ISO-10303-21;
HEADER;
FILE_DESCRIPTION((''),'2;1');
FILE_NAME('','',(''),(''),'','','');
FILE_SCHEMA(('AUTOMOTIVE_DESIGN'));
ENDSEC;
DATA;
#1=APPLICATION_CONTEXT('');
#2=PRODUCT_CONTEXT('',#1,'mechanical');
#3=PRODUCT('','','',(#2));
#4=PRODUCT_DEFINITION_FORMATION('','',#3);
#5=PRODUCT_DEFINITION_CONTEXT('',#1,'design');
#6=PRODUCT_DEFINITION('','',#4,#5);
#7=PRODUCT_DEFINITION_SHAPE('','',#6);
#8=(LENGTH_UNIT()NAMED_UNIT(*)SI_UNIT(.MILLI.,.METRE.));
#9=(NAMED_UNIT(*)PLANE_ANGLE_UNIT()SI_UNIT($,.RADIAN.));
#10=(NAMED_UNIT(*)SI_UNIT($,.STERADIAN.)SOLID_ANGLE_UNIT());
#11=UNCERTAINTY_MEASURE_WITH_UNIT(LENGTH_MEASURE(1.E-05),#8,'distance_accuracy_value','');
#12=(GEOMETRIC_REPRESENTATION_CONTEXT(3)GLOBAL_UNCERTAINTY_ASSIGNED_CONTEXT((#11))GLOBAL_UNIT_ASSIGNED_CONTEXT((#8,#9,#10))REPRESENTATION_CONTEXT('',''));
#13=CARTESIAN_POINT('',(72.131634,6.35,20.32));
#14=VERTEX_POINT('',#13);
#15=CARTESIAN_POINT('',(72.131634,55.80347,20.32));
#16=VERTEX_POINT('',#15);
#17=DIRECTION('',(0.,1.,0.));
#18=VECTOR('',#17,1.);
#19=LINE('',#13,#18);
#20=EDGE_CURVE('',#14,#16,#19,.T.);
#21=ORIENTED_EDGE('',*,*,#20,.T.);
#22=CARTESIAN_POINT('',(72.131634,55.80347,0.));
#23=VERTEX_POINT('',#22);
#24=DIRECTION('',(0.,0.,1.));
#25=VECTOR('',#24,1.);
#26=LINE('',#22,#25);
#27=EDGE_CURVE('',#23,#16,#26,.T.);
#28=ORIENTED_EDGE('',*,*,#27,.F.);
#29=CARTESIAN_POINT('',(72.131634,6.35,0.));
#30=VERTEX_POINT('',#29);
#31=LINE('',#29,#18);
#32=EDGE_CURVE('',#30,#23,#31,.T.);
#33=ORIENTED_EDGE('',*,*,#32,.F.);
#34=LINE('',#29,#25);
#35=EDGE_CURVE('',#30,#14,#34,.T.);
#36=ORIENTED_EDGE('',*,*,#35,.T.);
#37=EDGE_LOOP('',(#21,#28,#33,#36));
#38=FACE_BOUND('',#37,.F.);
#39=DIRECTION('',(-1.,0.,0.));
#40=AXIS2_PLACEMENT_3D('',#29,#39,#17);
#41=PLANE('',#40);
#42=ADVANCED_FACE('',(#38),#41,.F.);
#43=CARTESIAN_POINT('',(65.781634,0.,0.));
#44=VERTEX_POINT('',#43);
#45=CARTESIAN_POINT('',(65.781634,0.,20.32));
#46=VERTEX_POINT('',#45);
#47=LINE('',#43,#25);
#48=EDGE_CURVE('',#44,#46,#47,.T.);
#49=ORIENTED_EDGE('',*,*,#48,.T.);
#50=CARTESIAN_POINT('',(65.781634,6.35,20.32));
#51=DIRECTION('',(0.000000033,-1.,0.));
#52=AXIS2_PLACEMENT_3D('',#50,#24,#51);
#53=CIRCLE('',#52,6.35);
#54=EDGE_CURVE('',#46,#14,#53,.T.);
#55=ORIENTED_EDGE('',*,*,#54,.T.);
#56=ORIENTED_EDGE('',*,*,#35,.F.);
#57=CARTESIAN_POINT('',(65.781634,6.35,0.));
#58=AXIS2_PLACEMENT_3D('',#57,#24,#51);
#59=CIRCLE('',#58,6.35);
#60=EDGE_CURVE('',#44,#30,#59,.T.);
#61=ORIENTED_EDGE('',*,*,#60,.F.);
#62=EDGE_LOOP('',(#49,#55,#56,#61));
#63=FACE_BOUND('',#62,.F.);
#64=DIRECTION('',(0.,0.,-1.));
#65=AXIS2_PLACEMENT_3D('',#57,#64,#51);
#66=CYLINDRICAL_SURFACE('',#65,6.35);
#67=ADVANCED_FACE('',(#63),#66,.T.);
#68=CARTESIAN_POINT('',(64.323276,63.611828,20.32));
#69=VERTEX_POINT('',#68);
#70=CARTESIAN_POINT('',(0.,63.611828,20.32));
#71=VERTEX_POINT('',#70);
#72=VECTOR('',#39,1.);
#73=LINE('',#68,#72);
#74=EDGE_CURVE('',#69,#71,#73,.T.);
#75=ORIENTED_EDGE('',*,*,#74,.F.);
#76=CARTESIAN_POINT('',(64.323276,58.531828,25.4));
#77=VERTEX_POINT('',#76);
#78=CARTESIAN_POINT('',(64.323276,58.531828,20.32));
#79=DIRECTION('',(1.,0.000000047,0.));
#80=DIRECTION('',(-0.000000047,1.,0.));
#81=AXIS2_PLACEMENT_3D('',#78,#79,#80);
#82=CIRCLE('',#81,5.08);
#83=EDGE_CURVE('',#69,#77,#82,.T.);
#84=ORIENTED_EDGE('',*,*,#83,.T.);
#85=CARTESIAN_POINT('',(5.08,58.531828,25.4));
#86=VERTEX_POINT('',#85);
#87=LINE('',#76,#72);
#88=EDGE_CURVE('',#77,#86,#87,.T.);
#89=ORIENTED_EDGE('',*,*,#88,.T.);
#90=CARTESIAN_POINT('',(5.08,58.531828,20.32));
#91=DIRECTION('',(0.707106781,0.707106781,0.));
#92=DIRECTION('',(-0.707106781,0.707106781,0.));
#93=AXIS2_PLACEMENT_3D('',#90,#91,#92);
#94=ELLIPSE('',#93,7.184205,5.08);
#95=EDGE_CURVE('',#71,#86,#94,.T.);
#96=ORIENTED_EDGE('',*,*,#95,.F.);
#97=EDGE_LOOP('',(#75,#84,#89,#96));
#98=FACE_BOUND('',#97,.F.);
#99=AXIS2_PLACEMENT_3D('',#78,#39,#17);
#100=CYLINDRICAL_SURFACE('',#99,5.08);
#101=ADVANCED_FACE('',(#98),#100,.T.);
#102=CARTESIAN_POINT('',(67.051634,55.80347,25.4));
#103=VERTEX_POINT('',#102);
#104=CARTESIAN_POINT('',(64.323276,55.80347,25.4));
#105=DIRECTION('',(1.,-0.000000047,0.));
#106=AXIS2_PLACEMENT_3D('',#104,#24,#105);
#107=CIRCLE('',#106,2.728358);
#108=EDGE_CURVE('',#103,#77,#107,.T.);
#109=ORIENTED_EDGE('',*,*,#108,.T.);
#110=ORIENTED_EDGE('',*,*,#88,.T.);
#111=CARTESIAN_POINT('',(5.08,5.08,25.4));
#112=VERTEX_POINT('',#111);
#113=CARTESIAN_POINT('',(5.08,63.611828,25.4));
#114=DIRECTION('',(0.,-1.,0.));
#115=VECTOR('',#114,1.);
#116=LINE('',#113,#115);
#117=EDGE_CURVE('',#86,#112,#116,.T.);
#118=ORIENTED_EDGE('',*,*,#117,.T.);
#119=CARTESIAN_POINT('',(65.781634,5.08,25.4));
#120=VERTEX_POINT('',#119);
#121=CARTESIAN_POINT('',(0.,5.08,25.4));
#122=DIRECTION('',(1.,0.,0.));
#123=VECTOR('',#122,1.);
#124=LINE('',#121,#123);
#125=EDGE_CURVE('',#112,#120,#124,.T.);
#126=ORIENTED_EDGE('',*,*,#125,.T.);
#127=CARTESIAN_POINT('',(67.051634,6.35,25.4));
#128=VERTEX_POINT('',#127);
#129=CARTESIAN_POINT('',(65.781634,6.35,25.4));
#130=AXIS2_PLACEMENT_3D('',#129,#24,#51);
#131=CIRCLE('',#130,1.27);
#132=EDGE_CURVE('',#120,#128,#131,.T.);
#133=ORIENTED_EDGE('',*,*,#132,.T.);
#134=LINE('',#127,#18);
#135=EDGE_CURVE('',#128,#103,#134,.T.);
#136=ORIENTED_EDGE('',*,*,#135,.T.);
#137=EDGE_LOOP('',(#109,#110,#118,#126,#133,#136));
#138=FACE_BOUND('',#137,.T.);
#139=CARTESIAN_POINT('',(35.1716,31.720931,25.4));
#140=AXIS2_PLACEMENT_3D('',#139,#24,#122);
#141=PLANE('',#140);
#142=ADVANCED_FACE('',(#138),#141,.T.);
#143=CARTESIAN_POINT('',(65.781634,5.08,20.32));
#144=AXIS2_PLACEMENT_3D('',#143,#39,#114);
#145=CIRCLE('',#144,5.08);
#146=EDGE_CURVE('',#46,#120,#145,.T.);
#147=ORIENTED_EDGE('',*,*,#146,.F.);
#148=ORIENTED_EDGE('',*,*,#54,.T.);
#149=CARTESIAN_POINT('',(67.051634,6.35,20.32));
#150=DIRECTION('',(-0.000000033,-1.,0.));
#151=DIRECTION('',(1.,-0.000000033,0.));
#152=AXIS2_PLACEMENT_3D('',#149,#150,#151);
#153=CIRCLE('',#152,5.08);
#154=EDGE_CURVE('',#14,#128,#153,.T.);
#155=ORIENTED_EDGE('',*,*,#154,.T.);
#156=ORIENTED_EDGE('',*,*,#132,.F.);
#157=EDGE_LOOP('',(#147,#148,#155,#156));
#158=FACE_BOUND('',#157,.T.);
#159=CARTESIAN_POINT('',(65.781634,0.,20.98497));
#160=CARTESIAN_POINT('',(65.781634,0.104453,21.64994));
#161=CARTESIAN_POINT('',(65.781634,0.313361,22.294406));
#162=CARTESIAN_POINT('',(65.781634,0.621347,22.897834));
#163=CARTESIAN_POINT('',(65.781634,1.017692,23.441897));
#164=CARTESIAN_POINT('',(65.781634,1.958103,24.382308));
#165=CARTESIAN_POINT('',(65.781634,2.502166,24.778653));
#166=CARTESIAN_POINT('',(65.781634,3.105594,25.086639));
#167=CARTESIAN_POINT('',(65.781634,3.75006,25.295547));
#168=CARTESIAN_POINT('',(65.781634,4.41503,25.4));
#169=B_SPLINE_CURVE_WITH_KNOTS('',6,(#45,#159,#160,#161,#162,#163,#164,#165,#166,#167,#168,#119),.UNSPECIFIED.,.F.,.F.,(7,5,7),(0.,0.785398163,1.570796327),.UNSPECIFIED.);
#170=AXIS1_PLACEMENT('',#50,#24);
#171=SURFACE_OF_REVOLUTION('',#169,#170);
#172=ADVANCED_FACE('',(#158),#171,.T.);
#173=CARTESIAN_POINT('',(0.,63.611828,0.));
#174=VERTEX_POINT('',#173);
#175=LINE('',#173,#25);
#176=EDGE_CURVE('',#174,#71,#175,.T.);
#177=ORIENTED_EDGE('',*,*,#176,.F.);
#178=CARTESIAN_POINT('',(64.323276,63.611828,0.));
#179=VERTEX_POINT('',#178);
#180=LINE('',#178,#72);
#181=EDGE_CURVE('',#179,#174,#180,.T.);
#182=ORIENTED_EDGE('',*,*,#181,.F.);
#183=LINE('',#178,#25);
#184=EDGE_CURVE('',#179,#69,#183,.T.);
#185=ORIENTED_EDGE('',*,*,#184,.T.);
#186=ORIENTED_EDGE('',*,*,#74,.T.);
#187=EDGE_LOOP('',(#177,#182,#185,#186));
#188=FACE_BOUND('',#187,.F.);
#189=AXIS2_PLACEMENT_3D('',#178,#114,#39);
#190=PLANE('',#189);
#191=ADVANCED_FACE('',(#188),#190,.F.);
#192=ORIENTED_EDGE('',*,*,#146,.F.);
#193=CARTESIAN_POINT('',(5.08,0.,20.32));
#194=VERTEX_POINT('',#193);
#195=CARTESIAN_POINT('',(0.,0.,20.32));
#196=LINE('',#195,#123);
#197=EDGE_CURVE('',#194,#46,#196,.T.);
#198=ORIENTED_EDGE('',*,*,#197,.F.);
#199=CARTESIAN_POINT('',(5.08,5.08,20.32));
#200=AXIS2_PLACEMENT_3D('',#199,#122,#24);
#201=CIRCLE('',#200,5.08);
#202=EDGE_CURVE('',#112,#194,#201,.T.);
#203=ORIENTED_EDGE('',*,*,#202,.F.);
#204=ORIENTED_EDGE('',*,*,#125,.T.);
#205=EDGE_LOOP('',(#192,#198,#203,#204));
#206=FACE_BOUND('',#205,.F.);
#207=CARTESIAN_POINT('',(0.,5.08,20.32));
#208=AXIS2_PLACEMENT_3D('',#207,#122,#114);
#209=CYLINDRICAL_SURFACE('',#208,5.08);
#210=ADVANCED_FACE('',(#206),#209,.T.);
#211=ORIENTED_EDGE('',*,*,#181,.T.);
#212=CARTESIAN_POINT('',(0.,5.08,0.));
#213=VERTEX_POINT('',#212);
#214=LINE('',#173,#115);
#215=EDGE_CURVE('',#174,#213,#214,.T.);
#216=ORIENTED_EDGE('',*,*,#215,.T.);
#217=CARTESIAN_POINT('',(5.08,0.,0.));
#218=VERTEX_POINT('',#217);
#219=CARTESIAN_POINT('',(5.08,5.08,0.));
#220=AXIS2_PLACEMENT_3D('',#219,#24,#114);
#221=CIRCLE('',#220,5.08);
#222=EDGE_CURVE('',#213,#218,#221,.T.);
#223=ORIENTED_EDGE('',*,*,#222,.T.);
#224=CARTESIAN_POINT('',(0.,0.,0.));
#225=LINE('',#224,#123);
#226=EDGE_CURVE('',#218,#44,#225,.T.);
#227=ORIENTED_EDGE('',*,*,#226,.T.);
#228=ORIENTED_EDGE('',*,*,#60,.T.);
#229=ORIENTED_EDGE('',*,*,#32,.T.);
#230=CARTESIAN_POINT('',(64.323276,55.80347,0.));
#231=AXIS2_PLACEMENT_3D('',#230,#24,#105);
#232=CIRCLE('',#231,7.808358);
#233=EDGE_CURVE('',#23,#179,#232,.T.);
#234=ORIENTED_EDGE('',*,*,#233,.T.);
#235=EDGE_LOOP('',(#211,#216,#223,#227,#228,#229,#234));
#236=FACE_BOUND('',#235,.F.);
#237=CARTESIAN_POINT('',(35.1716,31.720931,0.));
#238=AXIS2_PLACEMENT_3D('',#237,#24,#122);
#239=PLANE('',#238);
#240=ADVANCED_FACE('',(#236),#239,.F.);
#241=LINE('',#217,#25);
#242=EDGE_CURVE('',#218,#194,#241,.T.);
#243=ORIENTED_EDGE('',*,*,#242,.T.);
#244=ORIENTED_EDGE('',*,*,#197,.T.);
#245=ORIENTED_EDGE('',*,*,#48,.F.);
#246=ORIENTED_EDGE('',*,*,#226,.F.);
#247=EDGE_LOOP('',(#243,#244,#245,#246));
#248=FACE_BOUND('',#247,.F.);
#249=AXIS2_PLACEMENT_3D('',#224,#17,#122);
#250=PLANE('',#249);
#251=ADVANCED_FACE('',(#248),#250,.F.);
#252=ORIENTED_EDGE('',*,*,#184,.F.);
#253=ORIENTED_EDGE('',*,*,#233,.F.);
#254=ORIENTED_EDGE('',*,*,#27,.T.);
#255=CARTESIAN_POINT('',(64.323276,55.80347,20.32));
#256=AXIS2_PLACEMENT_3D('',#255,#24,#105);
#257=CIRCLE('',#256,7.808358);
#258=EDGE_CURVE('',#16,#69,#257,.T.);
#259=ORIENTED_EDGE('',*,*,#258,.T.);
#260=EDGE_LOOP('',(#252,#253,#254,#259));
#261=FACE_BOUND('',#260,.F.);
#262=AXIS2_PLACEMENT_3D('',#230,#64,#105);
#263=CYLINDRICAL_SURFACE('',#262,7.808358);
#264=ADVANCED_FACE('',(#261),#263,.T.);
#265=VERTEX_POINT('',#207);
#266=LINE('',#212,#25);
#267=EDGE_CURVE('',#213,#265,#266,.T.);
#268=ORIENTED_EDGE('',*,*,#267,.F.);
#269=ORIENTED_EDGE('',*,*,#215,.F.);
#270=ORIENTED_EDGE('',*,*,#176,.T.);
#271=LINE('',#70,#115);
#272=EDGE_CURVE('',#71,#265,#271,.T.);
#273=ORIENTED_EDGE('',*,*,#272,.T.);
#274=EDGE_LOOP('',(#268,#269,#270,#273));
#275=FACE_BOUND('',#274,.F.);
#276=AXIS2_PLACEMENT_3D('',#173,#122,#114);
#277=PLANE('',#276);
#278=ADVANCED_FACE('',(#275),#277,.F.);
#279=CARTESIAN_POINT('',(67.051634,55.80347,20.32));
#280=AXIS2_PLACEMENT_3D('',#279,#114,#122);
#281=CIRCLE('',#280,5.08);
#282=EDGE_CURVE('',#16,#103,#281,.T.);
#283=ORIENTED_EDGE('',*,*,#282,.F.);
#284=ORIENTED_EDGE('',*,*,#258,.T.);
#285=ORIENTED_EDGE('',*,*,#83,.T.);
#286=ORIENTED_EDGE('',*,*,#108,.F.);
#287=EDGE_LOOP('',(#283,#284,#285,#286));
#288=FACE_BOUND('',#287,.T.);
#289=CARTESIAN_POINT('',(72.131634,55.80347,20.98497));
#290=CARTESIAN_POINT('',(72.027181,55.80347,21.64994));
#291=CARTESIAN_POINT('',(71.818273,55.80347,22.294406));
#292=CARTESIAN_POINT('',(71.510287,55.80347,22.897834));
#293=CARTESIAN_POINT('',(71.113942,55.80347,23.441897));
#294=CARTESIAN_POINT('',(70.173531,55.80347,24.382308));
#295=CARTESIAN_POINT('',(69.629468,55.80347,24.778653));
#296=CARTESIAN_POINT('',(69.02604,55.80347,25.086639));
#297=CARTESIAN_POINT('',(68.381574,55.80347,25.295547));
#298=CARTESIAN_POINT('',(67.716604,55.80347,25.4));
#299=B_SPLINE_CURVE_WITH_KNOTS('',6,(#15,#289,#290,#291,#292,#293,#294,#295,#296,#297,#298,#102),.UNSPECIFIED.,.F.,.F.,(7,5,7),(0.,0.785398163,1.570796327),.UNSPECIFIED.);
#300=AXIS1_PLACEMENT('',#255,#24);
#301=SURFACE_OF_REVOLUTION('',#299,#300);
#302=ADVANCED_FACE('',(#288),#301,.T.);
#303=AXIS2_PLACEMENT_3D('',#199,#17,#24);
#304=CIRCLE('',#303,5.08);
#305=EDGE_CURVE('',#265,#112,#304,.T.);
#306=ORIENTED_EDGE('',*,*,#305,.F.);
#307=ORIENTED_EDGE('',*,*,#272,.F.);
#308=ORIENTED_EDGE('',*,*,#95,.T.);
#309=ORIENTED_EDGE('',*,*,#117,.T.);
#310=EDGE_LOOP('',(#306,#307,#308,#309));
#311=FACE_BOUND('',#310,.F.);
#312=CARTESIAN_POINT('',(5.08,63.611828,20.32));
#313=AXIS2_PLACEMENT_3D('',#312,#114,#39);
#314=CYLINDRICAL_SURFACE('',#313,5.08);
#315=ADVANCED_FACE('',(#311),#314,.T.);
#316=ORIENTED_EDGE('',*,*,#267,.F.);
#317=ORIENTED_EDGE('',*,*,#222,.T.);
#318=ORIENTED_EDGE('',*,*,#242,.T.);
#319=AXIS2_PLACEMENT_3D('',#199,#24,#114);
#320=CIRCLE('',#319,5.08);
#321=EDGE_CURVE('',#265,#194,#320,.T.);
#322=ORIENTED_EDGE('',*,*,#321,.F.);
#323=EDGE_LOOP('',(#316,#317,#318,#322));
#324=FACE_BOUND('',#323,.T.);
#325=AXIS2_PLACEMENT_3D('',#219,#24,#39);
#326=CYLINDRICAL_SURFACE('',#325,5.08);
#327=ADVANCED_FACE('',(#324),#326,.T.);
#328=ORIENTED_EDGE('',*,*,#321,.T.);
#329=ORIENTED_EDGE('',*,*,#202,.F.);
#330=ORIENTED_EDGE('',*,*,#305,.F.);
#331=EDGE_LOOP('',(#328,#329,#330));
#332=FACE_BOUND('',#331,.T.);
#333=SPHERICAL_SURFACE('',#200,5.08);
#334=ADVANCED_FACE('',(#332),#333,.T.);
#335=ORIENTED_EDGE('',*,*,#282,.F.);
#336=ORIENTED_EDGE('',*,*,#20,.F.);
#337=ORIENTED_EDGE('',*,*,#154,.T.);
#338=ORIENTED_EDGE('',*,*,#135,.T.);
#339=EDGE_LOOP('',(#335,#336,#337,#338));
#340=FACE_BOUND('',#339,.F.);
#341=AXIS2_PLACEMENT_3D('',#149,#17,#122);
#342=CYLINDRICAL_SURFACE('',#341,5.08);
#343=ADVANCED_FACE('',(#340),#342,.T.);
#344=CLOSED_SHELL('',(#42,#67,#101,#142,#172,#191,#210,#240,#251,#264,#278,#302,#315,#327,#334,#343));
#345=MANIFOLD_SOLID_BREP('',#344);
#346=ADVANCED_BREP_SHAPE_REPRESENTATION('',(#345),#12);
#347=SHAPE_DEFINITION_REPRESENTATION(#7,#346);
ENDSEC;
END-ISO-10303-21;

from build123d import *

# Parameters (mm, degrees)
F1_DEPTH = 25.4
F2_R     = 5.08


with BuildPart() as f1:
    # F0 (on Top) → F1 (new body)
    with BuildSketch(Plane.XY):
        with BuildLine():
            Line((0, 63.611828), (0, 0))
            Line((0, 0), (65.781634, 0))
            ThreePointArc((65.781634, 0), (70.271762, 1.859872), (72.131634, 6.35))
            Line((72.131634, 6.35), (72.131634, 55.80347))
            ThreePointArc((72.131634, 55.80347), (69.844619, 61.324813), (64.323276, 63.611828))
            Line((64.323276, 63.611828), (0, 63.611828))
        make_face()
    extrude(amount=F1_DEPTH)

    # F2
    f2_edges = [f1.edges().sort_by_distance(p)[0] for p in [
        (32.890817, 0, 25.4),
        (0, 31.805914, 25.4),
        (0, 0, 12.7),
    ]]
    fillet(f2_edges, radius=F2_R)


solid = f1.part
